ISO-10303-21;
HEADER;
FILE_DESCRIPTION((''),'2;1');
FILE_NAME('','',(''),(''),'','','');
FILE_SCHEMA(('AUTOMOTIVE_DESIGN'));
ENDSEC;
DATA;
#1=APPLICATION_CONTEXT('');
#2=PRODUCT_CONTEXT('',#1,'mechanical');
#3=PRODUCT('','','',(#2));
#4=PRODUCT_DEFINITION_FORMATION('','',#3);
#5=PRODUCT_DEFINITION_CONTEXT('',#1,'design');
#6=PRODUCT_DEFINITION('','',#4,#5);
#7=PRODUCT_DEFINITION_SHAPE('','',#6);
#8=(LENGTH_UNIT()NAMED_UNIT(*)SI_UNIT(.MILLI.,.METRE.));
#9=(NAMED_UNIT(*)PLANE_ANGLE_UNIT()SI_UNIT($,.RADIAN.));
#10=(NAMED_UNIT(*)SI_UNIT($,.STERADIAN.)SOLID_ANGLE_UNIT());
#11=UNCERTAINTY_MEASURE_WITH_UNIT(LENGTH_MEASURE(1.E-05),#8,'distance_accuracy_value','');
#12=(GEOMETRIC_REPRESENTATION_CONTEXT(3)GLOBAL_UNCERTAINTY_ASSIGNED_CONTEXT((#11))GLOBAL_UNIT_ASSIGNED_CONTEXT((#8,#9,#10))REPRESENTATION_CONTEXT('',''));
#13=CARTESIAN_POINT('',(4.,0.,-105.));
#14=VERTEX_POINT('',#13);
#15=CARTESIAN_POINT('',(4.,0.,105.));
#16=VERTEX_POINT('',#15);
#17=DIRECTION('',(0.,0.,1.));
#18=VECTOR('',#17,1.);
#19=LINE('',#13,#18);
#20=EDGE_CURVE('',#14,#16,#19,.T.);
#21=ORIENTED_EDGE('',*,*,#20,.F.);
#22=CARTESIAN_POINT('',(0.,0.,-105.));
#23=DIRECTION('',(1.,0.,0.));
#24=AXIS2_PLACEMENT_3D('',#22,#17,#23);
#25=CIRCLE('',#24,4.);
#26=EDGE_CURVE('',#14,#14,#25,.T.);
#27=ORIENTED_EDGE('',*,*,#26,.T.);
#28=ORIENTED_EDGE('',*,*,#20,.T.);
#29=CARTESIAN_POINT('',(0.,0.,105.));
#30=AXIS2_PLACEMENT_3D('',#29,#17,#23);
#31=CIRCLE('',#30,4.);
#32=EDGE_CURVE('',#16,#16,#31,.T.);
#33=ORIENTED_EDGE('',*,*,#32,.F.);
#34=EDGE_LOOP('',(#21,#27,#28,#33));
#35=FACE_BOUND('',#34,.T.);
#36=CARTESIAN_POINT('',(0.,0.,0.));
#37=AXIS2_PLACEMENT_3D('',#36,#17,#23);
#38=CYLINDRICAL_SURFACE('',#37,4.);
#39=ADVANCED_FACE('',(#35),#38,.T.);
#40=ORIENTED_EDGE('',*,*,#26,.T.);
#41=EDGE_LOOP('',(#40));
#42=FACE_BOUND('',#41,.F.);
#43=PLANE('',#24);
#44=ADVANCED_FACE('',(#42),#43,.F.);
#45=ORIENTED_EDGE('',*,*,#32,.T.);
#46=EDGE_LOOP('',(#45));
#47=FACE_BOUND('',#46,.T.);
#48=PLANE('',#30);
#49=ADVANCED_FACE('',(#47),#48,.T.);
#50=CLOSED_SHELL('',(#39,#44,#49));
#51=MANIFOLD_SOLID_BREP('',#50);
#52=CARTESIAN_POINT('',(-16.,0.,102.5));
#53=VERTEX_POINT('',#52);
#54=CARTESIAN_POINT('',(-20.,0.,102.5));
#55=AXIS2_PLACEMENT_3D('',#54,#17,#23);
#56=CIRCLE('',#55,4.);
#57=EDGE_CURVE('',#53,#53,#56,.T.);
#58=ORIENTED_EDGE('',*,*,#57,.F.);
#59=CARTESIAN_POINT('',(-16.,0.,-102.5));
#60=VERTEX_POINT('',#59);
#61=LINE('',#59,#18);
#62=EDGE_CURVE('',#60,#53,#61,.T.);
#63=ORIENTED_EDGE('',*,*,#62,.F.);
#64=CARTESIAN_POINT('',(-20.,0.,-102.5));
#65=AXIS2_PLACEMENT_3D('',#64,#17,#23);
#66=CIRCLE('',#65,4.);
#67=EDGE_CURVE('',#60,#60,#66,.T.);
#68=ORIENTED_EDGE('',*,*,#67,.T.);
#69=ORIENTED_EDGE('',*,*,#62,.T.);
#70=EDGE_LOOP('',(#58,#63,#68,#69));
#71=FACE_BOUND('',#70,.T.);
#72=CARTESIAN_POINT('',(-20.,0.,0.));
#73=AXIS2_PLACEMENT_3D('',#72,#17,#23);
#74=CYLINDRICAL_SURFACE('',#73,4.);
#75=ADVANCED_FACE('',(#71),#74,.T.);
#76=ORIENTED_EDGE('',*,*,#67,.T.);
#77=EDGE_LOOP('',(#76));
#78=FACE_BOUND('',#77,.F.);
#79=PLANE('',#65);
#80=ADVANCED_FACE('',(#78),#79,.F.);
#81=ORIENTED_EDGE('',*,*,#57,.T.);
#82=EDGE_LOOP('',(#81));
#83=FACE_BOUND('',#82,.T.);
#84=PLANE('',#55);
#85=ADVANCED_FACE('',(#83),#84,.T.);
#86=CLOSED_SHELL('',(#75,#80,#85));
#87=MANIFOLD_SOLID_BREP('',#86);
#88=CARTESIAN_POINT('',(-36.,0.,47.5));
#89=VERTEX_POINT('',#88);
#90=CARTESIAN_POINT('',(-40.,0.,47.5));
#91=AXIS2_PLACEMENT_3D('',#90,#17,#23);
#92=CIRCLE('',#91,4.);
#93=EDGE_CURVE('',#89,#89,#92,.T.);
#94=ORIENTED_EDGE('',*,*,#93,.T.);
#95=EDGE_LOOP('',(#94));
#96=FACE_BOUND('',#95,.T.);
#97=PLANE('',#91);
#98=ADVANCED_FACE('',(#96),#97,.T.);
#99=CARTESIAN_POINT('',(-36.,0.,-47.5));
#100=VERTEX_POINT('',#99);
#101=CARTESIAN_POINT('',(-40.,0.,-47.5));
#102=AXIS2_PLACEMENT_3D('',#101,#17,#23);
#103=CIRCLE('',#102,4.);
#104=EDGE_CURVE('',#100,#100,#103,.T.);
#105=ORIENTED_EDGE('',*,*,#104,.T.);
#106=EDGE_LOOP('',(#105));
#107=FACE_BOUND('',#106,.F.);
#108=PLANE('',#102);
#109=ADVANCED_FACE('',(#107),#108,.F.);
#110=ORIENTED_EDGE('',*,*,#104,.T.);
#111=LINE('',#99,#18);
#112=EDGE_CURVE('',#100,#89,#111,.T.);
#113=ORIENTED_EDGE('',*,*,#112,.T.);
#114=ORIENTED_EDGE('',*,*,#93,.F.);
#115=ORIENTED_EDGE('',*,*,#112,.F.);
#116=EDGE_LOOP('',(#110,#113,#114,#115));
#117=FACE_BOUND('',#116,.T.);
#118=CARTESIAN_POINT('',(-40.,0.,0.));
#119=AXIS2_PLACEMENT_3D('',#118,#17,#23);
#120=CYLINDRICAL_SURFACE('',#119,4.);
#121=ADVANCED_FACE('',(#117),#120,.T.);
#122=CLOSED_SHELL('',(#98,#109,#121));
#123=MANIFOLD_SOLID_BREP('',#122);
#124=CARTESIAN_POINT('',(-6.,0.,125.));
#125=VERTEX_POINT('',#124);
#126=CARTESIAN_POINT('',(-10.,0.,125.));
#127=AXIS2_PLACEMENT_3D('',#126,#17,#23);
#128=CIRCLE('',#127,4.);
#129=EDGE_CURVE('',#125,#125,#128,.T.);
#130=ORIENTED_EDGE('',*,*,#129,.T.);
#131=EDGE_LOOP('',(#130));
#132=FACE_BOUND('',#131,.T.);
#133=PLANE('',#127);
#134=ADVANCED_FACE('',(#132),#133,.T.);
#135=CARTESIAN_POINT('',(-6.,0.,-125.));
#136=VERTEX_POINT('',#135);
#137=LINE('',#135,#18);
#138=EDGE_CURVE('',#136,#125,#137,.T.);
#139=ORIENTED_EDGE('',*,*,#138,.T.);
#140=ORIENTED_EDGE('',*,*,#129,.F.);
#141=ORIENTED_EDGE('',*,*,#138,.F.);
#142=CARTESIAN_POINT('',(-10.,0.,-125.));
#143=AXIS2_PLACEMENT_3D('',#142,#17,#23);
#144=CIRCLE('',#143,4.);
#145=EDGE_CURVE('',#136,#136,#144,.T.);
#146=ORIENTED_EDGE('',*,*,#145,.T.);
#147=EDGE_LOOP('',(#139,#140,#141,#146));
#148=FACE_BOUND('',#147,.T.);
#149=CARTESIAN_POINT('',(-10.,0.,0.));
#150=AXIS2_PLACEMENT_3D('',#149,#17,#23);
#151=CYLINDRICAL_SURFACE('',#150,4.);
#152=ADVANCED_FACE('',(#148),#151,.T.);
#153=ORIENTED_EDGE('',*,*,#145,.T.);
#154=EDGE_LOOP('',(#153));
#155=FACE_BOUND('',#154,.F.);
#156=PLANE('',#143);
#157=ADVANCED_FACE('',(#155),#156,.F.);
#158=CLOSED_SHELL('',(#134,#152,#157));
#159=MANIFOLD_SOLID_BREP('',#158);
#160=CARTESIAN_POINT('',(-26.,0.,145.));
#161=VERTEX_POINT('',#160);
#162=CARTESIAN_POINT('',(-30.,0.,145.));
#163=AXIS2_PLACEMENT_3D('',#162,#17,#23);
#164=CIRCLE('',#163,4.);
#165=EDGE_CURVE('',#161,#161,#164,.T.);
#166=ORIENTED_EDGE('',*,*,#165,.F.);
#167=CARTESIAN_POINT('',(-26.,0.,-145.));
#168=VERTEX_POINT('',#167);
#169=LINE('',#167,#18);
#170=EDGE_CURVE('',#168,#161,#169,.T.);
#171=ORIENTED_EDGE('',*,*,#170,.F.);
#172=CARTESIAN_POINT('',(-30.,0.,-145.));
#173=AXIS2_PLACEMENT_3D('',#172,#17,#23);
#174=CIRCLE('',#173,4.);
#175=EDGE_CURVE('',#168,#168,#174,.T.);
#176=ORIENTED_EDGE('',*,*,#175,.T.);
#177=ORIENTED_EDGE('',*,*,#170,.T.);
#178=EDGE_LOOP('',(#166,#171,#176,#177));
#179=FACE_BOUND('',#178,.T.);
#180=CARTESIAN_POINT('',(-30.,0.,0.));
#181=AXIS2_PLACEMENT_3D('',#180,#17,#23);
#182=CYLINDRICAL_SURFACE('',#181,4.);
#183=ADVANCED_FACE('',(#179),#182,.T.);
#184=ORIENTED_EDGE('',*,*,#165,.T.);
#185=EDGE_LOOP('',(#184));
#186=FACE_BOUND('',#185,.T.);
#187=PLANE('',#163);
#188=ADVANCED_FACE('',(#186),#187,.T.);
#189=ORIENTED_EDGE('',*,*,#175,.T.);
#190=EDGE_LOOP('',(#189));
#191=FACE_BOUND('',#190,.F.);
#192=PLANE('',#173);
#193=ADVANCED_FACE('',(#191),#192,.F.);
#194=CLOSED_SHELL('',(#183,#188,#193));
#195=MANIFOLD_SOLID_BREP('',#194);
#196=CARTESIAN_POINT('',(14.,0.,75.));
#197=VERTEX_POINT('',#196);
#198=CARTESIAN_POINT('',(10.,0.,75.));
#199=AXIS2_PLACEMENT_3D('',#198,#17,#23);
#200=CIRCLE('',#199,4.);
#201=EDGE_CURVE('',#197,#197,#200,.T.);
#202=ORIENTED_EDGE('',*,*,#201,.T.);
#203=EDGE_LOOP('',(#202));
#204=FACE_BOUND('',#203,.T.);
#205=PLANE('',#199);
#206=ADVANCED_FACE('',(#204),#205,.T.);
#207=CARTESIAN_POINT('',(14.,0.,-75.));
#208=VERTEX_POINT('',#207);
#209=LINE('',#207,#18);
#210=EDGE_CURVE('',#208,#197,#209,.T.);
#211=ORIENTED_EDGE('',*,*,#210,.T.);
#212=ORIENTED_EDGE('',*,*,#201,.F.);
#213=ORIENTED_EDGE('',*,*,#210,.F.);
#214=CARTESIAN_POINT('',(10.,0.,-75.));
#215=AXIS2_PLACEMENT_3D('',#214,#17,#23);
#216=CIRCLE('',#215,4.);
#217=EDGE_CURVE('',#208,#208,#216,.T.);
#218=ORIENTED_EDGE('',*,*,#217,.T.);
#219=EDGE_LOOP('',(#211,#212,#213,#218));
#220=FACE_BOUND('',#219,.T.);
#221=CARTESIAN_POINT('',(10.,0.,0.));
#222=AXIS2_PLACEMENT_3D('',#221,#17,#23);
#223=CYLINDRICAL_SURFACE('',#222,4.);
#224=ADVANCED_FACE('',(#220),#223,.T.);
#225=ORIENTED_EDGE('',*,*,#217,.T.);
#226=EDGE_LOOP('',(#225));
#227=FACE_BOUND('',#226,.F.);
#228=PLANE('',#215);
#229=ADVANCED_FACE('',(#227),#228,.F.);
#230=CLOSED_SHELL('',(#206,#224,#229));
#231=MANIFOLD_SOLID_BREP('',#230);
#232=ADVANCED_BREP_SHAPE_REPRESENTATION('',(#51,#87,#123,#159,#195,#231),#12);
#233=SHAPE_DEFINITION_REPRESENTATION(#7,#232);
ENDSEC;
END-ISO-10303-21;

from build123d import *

# Parameters (mm, degrees)
F0_R      = 4
F1_DEPTH  = 105
F2_R      = 4
F3_DEPTH  = 75
F4_R      = 4
F5_DEPTH  = 125
F6_R      = 4
F7_DEPTH  = 102.5
F8_R      = 4
F9_DEPTH  = 145
F10_R     = 4
F11_DEPTH = 47.5


with BuildPart() as f1:
    # F0 (on Top) → F1 (new body, symmetric)
    with BuildSketch(Plane.XY):
        Circle(F0_R)
    extrude(amount=F1_DEPTH, both=True)


with BuildPart() as f3:
    # F2 (on Top) → F3 (new body, symmetric)
    with BuildSketch(Plane.XY):
        with Locations((10, 0)):
            Circle(F2_R)
    extrude(amount=F3_DEPTH, both=True)


with BuildPart() as f5:
    # F4 (on Top) → F5 (new body, symmetric)
    with BuildSketch(Plane.XY):
        with Locations((-10, 0)):
            Circle(F4_R)
    extrude(amount=F5_DEPTH, both=True)


with BuildPart() as f7:
    # F6 (on Top) → F7 (new body, symmetric)
    with BuildSketch(Plane.XY):
        with Locations((-20, 0)):
            Circle(F6_R)
    extrude(amount=F7_DEPTH, both=True)


with BuildPart() as f9:
    # F8 (on Top) → F9 (new body, symmetric)
    with BuildSketch(Plane.XY):
        with Locations((-30, 0)):
            Circle(F8_R)
    extrude(amount=F9_DEPTH, both=True)


with BuildPart() as f11:
    # F10 (on Top) → F11 (new body, symmetric)
    with BuildSketch(Plane.XY):
        with Locations((-40, 0)):
            Circle(F10_R)
    extrude(amount=F11_DEPTH, both=True)


solid = Compound([f1.part, f3.part, f5.part, f7.part, f9.part, f11.part])
